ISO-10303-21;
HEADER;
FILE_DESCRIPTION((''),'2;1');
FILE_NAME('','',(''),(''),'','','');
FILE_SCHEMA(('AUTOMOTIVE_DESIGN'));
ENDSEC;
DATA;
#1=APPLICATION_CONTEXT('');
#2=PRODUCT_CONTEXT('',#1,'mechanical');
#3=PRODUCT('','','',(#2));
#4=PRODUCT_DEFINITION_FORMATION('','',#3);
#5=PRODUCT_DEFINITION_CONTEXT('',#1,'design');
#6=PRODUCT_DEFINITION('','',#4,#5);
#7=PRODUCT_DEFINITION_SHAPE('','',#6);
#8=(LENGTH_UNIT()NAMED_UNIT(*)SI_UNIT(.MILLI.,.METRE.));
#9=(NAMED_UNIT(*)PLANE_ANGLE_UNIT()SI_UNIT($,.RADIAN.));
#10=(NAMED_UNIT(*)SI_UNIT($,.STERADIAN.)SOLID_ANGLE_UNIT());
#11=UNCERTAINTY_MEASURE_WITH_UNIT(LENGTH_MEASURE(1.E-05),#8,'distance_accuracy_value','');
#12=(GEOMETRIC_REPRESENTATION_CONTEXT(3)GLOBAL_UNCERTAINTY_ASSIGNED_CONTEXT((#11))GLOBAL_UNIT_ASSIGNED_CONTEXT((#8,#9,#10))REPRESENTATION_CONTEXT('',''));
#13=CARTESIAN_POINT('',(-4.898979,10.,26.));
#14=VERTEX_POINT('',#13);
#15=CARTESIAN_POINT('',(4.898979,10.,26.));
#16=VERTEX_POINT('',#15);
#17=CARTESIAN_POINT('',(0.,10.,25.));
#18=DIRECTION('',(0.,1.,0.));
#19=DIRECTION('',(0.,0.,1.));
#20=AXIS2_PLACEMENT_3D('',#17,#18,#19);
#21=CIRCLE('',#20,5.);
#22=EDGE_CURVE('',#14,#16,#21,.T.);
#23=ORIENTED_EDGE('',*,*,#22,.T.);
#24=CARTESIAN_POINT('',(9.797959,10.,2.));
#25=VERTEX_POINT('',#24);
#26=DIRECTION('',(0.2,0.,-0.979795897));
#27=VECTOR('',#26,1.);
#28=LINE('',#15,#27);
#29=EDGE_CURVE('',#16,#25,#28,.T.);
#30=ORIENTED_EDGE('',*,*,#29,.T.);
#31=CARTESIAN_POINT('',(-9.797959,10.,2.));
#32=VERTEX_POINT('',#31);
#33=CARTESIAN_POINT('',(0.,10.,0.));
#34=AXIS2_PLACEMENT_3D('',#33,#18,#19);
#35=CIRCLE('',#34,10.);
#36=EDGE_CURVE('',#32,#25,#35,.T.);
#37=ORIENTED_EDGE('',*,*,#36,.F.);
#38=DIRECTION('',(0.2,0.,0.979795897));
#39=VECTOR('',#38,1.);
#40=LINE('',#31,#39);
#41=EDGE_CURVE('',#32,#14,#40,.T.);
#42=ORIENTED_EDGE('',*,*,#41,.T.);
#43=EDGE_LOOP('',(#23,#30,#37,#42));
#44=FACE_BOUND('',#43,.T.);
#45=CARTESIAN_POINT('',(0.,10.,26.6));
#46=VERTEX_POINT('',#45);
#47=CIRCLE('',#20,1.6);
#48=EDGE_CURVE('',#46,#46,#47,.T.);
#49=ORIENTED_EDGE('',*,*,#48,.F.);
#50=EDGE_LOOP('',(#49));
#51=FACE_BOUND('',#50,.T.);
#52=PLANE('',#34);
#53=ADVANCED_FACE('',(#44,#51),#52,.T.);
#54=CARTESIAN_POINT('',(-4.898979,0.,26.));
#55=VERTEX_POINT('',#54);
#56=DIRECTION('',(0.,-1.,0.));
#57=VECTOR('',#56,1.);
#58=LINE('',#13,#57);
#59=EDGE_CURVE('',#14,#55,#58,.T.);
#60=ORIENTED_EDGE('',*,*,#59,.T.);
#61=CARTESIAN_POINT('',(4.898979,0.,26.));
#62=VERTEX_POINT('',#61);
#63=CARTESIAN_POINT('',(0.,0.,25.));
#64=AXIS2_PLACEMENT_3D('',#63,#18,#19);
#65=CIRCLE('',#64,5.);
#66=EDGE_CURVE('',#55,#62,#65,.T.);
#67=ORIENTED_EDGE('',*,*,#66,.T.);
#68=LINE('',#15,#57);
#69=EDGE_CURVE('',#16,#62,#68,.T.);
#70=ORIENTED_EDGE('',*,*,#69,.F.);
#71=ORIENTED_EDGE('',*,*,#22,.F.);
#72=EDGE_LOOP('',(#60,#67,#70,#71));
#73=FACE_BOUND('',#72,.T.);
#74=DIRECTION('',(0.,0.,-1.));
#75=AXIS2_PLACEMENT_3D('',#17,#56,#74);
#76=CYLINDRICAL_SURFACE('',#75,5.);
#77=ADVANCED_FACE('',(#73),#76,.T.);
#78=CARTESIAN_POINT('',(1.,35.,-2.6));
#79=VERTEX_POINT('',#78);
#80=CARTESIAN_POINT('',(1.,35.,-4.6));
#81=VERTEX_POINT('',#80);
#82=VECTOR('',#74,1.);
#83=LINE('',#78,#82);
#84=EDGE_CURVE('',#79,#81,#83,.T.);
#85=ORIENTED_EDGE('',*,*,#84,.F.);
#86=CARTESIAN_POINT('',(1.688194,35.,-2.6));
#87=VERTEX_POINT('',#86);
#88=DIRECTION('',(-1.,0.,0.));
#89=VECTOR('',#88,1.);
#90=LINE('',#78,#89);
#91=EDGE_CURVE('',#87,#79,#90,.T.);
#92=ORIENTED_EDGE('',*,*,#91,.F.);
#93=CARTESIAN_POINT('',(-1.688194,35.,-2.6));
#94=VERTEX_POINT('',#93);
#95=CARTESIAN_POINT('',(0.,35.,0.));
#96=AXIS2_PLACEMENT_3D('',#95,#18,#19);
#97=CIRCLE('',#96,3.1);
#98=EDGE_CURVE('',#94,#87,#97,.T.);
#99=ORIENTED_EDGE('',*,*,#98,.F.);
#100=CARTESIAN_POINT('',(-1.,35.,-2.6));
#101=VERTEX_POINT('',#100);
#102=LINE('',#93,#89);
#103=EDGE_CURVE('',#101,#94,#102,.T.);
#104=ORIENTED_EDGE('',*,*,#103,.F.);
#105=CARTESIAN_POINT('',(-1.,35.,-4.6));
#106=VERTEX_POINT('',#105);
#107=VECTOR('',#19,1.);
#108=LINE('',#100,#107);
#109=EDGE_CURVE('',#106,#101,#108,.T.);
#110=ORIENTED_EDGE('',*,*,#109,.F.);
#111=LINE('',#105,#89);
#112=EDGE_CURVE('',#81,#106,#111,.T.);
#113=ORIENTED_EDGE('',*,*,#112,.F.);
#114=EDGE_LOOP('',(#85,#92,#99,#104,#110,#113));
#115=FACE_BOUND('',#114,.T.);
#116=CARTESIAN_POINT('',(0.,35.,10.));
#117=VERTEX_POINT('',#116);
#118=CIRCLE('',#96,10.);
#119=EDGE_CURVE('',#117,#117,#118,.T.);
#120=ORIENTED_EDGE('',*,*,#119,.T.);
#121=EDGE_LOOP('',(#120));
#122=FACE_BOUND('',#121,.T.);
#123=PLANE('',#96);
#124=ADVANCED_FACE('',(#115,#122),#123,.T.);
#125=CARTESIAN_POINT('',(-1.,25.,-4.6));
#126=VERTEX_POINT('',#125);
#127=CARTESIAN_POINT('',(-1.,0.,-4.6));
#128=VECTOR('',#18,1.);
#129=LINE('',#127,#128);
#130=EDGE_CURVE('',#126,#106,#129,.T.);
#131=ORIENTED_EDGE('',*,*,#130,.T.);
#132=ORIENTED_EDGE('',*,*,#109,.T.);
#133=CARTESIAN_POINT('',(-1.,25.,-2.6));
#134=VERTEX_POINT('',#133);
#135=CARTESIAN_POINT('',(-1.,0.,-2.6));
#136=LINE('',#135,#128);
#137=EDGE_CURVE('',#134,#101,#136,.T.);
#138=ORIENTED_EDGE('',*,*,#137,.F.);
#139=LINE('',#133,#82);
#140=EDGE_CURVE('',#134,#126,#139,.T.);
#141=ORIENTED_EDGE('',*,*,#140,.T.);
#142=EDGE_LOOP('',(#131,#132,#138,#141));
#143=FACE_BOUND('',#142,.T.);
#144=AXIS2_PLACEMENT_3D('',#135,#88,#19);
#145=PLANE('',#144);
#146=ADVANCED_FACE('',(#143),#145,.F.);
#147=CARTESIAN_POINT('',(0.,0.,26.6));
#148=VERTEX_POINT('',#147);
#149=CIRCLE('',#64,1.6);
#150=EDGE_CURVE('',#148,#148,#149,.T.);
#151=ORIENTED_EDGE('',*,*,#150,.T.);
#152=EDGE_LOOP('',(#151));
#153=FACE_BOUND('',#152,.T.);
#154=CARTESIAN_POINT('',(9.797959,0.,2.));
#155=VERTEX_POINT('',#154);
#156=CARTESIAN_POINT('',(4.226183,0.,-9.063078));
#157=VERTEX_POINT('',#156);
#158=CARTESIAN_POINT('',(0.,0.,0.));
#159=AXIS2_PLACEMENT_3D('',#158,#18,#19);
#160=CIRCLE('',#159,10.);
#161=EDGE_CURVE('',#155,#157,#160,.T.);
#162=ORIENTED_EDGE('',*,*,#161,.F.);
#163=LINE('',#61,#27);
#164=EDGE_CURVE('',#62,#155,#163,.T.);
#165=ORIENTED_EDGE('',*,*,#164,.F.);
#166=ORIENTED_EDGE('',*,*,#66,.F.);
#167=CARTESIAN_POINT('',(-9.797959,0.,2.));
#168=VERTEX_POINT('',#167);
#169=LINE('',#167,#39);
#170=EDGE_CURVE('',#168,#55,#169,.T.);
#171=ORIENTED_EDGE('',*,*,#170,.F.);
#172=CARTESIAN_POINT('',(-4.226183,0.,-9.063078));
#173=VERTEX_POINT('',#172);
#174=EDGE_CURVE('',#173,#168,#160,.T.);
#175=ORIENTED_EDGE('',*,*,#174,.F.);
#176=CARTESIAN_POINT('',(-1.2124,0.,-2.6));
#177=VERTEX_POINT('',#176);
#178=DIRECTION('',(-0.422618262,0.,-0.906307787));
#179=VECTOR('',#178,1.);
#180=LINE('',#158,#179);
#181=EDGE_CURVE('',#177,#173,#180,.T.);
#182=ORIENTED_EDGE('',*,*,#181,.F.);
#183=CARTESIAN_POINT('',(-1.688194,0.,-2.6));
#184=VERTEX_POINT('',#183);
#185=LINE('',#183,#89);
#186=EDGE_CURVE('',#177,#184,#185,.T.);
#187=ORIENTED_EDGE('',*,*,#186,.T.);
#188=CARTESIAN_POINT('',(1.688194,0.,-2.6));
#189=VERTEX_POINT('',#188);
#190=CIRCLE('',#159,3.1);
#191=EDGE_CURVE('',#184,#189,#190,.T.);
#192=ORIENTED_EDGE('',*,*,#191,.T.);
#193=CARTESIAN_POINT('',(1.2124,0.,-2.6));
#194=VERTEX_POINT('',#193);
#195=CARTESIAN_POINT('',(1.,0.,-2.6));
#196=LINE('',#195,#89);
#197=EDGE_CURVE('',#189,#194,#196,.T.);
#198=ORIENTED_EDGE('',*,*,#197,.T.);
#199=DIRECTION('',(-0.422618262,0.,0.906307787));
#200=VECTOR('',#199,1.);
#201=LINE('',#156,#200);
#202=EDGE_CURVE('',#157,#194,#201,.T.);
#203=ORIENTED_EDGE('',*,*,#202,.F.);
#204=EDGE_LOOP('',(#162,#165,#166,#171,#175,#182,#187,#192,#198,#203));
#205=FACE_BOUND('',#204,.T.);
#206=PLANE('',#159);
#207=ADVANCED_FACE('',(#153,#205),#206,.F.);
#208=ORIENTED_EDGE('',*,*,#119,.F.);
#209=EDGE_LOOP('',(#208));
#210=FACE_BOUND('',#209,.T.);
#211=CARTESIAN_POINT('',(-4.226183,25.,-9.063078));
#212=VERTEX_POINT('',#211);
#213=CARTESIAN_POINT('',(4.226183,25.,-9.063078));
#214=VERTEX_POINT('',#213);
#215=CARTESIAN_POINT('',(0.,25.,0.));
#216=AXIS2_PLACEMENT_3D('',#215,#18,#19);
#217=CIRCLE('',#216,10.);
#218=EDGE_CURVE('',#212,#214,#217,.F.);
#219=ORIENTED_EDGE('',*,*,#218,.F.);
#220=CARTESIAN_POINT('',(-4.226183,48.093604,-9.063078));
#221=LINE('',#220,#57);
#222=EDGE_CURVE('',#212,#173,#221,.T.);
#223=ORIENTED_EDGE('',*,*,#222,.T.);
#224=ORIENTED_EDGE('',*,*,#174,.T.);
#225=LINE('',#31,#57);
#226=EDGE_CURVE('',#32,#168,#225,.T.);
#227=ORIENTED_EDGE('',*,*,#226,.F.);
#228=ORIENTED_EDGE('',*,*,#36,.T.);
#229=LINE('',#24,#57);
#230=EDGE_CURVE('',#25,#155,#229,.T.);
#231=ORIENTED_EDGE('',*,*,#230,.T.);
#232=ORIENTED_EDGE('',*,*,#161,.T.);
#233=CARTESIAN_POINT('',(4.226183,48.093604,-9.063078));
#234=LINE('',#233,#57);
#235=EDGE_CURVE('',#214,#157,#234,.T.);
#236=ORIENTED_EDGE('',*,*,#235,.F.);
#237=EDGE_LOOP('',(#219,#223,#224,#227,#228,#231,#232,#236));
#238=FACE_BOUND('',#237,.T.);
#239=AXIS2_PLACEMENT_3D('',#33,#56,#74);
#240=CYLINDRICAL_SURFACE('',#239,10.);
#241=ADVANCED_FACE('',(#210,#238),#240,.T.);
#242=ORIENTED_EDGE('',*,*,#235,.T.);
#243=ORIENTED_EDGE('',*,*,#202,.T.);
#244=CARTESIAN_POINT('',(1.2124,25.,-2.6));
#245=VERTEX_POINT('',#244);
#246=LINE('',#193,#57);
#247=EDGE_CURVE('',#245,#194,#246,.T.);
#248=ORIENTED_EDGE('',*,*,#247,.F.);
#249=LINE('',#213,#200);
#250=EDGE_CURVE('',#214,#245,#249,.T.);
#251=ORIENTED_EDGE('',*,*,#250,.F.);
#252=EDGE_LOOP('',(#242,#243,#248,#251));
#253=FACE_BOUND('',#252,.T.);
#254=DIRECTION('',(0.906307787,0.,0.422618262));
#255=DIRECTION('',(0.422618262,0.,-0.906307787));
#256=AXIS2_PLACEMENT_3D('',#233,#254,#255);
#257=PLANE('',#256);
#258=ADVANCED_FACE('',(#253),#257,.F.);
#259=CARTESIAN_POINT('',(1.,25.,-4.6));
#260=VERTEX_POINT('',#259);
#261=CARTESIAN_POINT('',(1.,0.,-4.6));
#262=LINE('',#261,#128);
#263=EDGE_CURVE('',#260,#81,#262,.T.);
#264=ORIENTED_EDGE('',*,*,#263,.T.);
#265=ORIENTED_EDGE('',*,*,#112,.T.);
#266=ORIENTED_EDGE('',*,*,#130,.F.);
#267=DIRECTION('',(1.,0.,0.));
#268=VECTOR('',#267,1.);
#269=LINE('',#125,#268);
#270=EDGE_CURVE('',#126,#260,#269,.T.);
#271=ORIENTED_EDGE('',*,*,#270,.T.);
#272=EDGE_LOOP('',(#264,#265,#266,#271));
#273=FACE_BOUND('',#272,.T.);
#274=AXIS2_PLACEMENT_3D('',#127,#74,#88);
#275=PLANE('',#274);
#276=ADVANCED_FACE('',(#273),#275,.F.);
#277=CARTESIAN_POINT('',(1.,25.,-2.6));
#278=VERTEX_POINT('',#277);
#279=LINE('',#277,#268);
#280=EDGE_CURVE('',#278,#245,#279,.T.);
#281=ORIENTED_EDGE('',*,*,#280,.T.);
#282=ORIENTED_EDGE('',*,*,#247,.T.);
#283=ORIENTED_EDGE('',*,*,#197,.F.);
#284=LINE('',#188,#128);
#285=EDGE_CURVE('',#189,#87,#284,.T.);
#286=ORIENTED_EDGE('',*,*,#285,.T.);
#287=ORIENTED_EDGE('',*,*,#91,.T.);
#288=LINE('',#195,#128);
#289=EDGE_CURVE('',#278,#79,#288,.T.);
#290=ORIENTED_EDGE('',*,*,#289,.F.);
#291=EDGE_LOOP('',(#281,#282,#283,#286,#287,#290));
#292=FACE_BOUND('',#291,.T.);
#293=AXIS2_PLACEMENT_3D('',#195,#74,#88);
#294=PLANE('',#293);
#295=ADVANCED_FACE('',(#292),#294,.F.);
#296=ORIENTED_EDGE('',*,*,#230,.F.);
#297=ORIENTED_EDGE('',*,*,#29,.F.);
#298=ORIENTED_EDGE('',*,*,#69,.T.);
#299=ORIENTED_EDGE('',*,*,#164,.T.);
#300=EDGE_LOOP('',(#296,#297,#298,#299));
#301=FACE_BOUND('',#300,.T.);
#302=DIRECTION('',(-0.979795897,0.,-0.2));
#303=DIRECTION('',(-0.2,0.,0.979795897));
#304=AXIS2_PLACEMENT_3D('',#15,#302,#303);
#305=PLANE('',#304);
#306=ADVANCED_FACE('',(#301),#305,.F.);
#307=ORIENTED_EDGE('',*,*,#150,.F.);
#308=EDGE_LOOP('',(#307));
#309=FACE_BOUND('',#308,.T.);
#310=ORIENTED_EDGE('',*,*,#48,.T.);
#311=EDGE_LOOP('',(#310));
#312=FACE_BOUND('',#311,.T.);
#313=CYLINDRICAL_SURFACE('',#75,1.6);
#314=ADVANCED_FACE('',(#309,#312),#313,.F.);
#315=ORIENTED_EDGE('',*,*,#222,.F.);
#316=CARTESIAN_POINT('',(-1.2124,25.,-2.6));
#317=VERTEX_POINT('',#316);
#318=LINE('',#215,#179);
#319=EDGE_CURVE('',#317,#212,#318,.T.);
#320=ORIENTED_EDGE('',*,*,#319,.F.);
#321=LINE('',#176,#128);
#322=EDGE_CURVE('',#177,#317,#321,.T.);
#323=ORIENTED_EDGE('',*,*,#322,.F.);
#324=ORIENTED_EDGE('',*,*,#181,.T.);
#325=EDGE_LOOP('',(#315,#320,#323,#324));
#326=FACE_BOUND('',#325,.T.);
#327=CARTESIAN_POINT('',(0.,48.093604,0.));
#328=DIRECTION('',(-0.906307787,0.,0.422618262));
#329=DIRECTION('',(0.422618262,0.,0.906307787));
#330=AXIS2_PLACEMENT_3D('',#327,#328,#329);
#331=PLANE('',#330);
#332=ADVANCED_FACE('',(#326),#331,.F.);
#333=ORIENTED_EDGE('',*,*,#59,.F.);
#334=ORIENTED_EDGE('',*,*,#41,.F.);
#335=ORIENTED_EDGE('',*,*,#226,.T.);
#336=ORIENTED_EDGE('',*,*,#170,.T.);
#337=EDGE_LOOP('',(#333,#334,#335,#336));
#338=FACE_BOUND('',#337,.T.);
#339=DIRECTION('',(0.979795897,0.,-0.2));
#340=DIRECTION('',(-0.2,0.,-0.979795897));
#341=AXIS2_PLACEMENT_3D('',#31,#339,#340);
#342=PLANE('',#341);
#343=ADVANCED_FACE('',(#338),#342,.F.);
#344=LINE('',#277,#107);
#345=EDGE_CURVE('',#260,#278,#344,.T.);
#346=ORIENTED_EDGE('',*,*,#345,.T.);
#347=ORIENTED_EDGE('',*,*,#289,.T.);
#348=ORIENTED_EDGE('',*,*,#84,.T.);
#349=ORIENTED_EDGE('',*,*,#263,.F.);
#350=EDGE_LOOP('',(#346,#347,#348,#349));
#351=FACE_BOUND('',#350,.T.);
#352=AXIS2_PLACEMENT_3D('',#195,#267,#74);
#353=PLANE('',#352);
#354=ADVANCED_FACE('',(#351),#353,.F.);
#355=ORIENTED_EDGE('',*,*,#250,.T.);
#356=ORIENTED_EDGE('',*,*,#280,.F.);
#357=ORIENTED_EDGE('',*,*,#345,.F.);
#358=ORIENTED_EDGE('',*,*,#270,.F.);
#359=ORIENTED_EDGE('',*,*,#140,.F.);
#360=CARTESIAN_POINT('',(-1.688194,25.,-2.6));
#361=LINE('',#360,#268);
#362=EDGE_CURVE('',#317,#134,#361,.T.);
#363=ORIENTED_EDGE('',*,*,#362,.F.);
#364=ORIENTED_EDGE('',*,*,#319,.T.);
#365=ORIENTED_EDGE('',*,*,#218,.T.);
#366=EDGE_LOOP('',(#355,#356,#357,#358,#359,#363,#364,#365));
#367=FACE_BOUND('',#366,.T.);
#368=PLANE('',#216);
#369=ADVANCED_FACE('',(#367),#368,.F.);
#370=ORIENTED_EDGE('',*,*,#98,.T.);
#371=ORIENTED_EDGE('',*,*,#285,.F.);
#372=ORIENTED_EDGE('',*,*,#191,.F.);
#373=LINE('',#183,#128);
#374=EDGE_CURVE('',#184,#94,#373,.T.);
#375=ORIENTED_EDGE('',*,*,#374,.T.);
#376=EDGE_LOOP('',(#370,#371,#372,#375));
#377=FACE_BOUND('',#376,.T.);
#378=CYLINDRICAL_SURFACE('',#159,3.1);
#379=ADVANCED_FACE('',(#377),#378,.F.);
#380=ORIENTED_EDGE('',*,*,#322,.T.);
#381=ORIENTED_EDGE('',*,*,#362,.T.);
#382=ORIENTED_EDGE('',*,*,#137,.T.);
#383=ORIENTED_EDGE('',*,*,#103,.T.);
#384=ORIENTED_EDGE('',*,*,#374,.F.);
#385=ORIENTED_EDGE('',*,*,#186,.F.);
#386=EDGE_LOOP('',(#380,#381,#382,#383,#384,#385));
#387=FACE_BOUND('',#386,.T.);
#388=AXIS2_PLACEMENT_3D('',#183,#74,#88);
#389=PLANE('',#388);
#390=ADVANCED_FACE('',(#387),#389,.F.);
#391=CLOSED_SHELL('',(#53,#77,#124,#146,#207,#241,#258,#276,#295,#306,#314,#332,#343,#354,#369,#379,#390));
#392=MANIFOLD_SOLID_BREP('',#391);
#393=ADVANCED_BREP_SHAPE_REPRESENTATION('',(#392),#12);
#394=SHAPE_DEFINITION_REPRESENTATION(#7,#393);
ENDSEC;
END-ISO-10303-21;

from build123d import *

# Parameters (mm, degrees)
SKETCH_1_R               = 1.6
EXTRUDE_1_DEPTH          = 10
SKETCH_3_R               = 10
EXTRUDE_2_DEPTH          = 25
CUT_EXTRUDE_1_DEPTH      = 41.311288741
CUT_EXTRUDE_1_DEPTH_BACK = 41.311288741
CUT_EXTRUDE_2_DEPTH      = 25


with BuildPart() as part:
    # ｽｹｯﾁ1 → ﾎﾞｽ - 押し出し1 (new body)
    with BuildSketch(Plane(origin=(0, 0, 0), x_dir=(1, 0, 0), z_dir=(0, 1, 0))):
        with BuildLine():
            Line((-9.797958971, -2), (-4.898979486, -26))
            ThreePointArc((-4.898979486, -26), (0, -30), (4.898979486, -26))
            Line((4.898979486, -26), (9.797958971, -2))
            ThreePointArc((9.797958971, -2), (0, 10), (-9.797958971, -2))
        make_face()
        with Locations(Location((0, -25, 0), (0, 0, 270))):
            Circle(SKETCH_1_R, mode=Mode.SUBTRACT)
    extrude(amount=EXTRUDE_1_DEPTH)

    # ｽｹｯﾁ3 → ﾎﾞｽ - 押し出し2 (add)
    with BuildSketch(Plane(origin=(0, 10, 0), x_dir=(1, 0, 0), z_dir=(0, 1, 0))):
        with Locations(Location((0, 0, 0), (0, 0, 191.536959033))):
            Circle(SKETCH_3_R)
    extrude(amount=EXTRUDE_2_DEPTH)

    # ｽｹｯﾁ2 → ｶｯﾄ - 押し出し1 (cut, two sides: drawn at the far end of the back side and taken through both)
    with BuildSketch(Plane(origin=(0, 10, 0), x_dir=(1, 0, 0), z_dir=(0, 1, 0)).offset(-CUT_EXTRUDE_1_DEPTH_BACK)):
        with BuildLine():
            Line((-1.688194302, 2.6), (-1, 2.6))
            Line((-1, 2.6), (-1, 4.6))
            Line((-1, 4.6), (1, 4.6))
            Line((1, 4.6), (1, 2.6))
            Line((1, 2.6), (1.688194302, 2.6))
            ThreePointArc((1.688194302, 2.6), (0, -3.1), (-1.688194302, 2.6))
        make_face()
    extrude(amount=CUT_EXTRUDE_1_DEPTH + CUT_EXTRUDE_1_DEPTH_BACK, mode=Mode.SUBTRACT)

    # ｽｹｯﾁ4 → ｶｯﾄ - 押し出し2 (cut)
    with BuildSketch(Plane(origin=(0, 0, 0), x_dir=(-1, 0, 0), z_dir=(0, -1, 0))):
        with BuildLine():
            Line((-4.226182617, 9.06307787), (0, 0))
            Line((0, 0), (4.226182617, 9.06307787))
            ThreePointArc((4.226182617, 9.06307787), (0, 10), (-4.226182617, 9.06307787))
        make_face()
    extrude(amount=-CUT_EXTRUDE_2_DEPTH, mode=Mode.SUBTRACT)


solid = part.part
